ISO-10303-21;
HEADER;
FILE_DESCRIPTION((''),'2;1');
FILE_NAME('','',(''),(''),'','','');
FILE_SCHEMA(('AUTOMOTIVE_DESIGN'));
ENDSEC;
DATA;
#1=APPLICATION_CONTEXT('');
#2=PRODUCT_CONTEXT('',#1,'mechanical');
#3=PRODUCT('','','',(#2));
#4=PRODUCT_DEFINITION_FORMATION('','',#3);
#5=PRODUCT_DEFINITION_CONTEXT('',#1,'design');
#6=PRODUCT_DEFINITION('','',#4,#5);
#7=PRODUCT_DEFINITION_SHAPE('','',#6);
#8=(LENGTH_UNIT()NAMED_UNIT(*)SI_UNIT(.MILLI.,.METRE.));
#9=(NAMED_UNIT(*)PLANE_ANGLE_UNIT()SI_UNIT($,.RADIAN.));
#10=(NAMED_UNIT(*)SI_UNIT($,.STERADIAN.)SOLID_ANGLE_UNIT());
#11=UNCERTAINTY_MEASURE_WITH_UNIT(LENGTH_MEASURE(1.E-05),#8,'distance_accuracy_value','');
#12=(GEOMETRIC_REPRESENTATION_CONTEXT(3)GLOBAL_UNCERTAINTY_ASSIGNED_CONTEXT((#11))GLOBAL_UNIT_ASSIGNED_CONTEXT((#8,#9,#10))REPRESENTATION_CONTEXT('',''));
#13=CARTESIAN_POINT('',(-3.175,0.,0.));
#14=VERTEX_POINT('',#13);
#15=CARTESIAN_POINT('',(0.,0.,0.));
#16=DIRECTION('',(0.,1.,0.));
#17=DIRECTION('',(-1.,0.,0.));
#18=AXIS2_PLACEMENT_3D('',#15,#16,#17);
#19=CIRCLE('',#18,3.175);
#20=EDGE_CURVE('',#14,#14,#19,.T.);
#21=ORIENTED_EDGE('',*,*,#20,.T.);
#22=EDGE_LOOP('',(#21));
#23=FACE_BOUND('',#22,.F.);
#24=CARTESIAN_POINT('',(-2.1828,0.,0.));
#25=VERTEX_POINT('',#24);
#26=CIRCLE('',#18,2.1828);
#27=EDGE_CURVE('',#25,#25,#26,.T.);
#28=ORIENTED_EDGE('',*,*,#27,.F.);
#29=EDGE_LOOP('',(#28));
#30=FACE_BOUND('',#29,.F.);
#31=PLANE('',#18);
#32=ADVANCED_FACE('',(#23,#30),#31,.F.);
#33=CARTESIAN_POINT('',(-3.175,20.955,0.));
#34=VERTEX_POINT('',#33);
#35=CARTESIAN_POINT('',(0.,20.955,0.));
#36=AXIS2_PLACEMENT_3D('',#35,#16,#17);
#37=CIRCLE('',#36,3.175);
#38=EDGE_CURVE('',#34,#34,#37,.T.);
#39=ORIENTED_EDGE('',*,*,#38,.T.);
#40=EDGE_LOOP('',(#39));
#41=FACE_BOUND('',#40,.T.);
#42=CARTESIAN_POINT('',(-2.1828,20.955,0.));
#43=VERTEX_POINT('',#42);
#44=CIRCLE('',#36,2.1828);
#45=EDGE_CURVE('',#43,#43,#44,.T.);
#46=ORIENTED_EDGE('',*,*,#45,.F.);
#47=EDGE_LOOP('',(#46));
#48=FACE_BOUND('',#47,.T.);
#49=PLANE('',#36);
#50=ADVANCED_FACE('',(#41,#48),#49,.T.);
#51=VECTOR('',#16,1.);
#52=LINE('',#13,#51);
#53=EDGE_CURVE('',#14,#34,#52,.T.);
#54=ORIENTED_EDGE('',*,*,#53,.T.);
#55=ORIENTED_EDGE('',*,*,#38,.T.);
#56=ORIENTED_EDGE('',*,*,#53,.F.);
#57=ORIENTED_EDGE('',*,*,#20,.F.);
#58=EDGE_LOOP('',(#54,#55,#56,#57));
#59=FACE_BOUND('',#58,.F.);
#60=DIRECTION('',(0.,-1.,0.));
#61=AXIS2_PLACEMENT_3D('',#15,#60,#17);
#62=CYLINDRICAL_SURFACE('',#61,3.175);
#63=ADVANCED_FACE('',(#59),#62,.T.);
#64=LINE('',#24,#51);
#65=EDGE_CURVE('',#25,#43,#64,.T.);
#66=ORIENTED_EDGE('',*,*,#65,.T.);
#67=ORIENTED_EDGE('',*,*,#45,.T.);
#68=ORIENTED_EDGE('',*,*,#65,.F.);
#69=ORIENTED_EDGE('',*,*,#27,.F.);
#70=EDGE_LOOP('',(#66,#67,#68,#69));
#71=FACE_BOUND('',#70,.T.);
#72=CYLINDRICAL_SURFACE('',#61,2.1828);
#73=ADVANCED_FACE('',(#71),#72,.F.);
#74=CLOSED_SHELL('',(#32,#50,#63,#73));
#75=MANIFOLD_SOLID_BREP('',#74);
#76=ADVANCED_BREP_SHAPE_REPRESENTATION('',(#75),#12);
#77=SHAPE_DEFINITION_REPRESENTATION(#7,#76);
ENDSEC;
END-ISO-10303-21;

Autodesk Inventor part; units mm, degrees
ref_plane "YZ Plane" through (0, 0, 0) normal (1, 0, 0) x (0, 1, 0)
ref_plane "XZ Plane" through (0, 0, 0) normal (0, 1, 0) x (-1, 0, 0)
ref_plane "XY Plane" through (0, 0, 0) normal (0, 0, 1) x (1, 0, 0)
sketch "Sketch1" plane through (0, 0, 0) normal (0, 1, 0) x (-1, 0, 0)
  circle A0 centre (0, 0) radius 3.175
  circle A1 centre (0, 0) radius 2.1828
  dimension "d0" = 6.35
  dimension "d1" = 4.3656
extrude "Extrusion1" add sketch "Sketch1" along normal blind 20.955
properties part number "0.825 1-2 od" material "Stainless Steel"
